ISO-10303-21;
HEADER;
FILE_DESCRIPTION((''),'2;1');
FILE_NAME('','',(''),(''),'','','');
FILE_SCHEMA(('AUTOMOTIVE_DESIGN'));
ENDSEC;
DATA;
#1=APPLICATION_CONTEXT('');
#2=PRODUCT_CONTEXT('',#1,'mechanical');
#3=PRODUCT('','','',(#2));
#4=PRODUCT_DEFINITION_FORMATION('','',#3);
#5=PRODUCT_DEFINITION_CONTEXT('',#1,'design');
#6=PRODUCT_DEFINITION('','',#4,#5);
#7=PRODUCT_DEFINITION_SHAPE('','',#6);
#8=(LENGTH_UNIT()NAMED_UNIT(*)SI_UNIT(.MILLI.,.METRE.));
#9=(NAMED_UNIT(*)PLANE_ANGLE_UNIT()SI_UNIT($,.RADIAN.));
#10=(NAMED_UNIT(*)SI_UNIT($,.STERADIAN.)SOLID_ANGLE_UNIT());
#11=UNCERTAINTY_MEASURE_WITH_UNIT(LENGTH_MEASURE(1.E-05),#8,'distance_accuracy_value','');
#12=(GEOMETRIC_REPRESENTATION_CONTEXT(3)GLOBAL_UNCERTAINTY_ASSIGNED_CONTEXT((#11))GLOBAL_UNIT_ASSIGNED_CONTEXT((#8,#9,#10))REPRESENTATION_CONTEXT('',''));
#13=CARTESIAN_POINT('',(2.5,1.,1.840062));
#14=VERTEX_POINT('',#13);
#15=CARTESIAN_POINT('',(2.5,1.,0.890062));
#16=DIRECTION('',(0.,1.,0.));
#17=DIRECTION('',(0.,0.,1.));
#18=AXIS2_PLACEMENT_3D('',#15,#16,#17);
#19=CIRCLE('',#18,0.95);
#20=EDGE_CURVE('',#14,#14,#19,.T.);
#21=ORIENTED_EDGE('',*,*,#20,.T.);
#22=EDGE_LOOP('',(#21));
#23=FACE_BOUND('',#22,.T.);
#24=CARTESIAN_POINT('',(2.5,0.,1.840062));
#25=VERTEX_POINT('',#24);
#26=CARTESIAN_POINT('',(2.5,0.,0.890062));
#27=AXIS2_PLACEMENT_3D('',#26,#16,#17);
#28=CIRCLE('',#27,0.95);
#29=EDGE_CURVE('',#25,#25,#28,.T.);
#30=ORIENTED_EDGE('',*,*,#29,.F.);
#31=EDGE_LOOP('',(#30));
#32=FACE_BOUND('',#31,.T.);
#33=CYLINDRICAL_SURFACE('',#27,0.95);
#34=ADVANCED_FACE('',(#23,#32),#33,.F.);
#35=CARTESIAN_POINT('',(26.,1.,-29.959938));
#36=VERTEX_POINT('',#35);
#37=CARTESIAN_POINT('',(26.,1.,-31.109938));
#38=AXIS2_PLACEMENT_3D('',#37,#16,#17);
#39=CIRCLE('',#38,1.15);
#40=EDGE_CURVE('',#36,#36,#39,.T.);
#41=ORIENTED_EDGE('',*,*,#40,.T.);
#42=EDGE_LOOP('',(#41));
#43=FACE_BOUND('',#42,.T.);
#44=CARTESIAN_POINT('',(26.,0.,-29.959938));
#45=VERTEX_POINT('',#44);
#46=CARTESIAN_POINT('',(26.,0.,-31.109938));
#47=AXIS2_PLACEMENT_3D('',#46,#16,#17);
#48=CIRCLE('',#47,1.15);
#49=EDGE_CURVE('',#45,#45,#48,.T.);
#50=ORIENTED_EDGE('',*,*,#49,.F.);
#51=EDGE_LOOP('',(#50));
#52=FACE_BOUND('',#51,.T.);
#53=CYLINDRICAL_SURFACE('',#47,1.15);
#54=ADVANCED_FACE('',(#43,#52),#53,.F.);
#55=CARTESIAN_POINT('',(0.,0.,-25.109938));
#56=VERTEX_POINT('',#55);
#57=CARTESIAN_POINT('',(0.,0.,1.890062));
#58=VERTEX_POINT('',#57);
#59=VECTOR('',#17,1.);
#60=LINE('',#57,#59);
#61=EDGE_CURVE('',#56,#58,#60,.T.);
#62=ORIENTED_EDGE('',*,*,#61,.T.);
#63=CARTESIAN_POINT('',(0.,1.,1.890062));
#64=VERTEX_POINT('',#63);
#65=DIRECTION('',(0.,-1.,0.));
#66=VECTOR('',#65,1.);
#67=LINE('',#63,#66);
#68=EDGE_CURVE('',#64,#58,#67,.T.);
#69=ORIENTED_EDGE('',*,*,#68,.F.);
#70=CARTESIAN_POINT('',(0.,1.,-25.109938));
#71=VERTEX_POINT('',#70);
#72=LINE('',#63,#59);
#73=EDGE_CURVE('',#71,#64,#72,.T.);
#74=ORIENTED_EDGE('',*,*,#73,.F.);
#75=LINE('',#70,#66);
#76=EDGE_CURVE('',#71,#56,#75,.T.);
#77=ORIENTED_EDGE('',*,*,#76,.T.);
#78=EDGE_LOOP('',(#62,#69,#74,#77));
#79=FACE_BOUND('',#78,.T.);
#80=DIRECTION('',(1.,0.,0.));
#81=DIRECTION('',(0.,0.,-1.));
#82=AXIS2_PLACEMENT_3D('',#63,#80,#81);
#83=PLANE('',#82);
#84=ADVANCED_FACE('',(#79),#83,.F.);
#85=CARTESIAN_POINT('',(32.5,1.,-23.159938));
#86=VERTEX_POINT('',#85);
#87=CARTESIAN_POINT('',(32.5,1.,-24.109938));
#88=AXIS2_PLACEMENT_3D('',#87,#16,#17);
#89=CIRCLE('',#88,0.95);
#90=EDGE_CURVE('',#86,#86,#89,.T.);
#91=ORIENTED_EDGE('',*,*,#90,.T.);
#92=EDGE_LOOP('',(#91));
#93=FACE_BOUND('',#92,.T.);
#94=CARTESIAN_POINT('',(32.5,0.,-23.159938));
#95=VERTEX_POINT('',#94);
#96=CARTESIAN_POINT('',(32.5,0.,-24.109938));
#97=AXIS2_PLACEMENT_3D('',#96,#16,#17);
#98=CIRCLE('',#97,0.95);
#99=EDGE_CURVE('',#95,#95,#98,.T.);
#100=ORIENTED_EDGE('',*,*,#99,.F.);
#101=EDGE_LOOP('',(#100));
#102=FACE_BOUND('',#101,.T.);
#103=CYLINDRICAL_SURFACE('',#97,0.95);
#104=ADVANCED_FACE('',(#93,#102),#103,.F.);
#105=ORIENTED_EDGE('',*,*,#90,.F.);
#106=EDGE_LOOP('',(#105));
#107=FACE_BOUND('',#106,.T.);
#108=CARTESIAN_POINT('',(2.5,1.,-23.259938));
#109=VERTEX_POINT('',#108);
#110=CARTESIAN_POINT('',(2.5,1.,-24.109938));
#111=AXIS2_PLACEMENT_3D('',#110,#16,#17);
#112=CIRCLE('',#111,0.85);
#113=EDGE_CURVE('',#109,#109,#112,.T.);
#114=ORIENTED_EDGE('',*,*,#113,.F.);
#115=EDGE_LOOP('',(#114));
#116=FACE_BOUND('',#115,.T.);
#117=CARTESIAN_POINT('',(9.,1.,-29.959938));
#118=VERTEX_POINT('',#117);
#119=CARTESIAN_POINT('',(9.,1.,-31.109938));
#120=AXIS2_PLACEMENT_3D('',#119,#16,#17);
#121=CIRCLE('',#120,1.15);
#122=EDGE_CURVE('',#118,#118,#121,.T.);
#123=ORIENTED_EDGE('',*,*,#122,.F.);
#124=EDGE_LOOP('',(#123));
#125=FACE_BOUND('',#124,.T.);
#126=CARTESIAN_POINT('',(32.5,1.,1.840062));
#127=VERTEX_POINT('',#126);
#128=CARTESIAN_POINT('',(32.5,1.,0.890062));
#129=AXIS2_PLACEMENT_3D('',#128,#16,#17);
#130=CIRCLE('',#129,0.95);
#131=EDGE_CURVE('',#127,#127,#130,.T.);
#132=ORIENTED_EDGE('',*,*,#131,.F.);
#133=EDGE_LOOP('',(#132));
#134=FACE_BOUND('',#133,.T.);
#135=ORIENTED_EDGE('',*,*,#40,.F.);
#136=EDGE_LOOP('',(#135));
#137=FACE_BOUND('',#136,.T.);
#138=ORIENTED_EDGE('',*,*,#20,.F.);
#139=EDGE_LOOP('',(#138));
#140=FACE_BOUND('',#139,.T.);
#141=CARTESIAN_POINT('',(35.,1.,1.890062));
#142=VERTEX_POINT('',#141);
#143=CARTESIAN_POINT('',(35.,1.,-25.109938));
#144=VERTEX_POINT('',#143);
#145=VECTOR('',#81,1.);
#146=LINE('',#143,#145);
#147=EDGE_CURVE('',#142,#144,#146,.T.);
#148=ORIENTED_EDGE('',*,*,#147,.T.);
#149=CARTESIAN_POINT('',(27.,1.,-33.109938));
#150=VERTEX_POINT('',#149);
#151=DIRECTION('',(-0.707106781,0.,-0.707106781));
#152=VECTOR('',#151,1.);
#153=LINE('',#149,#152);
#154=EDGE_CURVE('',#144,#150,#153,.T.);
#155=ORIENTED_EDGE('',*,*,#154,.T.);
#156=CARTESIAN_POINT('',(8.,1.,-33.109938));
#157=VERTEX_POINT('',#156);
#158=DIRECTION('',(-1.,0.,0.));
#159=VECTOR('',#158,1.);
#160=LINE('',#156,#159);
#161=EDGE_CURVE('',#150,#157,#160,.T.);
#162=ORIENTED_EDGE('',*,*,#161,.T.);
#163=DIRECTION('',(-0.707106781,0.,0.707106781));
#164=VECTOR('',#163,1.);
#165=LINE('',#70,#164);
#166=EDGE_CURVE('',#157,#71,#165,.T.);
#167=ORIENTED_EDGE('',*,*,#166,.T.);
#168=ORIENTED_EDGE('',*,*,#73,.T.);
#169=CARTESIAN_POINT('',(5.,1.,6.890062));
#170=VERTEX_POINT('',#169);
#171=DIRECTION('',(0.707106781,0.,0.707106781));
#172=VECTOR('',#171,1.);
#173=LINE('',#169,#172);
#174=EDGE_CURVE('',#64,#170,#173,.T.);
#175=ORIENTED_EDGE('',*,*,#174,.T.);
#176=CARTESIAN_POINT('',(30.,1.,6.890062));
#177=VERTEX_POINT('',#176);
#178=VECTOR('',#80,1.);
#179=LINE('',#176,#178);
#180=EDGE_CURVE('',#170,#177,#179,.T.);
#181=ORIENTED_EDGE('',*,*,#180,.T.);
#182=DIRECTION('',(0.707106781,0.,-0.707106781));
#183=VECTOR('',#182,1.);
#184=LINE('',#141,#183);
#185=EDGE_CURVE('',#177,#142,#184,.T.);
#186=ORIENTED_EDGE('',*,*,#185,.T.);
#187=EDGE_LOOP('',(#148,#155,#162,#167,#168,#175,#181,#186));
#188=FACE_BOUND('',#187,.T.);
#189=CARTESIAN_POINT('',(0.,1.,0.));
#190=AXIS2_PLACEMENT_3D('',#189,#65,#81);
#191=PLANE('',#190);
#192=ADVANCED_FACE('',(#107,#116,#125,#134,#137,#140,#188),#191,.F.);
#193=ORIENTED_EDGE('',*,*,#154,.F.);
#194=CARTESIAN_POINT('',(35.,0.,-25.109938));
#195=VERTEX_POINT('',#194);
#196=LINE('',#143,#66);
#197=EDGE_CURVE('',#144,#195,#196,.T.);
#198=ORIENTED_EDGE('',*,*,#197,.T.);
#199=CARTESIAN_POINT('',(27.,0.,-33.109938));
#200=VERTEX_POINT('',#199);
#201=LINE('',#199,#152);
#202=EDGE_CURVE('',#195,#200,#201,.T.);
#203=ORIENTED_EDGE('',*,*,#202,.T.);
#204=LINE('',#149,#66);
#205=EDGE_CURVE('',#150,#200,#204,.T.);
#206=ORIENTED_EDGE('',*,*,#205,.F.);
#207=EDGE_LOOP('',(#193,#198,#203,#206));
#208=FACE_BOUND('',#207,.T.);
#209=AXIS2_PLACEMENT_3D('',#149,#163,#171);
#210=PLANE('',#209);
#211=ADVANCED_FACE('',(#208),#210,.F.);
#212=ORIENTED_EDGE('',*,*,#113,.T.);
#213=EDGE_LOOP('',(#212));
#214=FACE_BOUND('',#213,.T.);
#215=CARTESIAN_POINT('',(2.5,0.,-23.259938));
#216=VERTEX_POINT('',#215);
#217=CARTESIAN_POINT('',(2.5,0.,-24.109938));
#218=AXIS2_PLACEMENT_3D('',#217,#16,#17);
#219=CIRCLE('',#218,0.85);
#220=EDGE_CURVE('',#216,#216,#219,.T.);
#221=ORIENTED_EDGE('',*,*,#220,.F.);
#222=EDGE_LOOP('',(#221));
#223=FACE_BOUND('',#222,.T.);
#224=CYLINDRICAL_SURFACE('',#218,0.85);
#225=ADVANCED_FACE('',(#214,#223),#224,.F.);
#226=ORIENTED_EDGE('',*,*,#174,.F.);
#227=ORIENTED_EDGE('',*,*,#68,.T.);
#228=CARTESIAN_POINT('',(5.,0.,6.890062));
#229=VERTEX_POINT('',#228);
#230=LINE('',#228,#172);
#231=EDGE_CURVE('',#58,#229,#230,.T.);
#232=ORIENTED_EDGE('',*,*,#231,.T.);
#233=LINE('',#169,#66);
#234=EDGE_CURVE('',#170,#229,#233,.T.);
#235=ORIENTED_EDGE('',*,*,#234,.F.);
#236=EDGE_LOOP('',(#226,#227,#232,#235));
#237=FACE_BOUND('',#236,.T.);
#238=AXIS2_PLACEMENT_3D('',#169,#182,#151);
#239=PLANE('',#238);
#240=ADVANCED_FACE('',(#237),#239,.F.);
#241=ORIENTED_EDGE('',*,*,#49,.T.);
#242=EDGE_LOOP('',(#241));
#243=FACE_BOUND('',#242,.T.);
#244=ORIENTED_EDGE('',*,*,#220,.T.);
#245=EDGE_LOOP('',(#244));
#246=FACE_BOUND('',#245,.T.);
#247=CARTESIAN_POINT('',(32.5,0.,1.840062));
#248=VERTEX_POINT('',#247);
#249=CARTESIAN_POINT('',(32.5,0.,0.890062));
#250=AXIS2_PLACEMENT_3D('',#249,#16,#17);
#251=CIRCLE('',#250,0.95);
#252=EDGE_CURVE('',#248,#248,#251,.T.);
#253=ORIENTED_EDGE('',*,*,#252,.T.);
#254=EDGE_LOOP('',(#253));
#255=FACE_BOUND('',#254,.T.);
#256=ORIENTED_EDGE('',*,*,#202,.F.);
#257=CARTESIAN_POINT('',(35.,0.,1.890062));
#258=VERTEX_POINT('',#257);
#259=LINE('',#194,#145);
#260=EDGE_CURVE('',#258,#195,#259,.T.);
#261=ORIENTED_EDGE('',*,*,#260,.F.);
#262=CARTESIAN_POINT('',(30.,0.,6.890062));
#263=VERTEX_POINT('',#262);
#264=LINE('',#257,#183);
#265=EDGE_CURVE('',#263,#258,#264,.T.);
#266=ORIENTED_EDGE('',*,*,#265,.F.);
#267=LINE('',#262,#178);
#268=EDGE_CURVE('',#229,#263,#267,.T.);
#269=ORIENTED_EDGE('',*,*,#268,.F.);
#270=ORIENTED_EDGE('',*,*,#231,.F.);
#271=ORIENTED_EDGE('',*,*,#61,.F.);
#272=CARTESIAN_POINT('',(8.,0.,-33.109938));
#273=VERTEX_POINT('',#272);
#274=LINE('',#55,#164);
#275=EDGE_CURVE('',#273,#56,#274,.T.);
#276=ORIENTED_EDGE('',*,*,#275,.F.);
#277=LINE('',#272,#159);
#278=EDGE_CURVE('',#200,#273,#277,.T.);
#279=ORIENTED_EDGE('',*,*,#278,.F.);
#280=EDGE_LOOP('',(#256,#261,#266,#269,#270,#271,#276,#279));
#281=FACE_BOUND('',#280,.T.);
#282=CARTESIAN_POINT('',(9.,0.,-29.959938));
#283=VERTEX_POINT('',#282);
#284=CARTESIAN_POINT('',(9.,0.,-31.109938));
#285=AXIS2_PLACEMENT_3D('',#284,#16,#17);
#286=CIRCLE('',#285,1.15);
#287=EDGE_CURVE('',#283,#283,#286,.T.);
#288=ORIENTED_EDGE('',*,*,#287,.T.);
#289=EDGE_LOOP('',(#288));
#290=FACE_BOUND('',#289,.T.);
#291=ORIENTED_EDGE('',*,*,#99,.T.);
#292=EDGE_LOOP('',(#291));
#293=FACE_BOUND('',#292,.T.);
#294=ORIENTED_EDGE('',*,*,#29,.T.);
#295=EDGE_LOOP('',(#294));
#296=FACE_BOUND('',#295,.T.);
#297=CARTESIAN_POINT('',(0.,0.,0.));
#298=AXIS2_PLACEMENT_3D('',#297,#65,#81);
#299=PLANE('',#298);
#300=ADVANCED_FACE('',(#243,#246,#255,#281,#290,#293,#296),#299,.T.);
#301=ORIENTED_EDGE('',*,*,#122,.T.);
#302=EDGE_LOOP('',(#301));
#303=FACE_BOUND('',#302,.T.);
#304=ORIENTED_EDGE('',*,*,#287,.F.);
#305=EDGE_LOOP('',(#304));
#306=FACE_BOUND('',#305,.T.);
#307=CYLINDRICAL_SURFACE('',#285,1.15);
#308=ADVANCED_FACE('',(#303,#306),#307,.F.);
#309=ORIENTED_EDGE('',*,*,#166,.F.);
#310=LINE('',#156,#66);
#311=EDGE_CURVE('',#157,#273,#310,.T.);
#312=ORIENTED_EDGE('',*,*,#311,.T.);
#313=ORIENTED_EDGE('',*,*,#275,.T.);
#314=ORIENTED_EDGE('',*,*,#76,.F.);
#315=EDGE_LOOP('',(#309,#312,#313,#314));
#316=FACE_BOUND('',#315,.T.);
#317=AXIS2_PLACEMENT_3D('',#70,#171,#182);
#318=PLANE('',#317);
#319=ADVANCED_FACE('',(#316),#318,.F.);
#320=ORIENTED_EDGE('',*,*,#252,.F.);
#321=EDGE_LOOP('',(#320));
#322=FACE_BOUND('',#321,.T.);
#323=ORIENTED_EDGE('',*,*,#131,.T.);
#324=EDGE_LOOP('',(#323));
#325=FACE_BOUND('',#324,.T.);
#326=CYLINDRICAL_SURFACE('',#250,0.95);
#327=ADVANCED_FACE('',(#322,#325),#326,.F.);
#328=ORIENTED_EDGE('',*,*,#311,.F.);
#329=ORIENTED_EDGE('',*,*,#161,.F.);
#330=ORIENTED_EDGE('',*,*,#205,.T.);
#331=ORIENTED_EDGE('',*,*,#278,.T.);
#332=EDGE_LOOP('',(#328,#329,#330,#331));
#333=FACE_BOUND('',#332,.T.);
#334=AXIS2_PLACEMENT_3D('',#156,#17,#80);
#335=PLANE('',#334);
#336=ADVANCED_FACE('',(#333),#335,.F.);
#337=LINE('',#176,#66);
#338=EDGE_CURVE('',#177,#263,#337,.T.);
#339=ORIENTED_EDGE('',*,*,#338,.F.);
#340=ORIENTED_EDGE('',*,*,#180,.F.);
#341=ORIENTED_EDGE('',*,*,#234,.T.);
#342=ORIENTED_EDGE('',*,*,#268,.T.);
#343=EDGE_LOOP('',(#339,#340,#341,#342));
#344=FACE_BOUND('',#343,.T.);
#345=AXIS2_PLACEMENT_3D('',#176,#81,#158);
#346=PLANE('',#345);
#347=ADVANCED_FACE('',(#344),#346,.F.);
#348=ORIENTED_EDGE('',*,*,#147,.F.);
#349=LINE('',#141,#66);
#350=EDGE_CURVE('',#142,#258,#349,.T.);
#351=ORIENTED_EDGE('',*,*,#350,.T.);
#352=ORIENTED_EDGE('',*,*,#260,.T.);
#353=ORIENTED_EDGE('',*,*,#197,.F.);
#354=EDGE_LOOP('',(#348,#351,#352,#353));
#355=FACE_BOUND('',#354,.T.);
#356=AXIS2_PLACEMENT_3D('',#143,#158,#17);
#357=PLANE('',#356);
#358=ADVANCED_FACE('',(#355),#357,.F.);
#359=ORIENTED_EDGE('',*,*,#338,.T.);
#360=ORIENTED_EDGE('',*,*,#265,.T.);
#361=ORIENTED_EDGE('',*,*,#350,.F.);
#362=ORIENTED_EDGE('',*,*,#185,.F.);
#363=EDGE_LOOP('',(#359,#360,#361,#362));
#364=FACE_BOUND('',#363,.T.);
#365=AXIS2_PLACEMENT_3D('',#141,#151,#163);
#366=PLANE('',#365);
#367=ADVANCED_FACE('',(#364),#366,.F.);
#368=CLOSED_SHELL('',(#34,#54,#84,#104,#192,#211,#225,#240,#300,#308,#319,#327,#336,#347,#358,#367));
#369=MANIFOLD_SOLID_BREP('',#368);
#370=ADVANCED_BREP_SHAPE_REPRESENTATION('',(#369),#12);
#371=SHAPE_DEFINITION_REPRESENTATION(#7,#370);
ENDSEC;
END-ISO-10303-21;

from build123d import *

# Parameters (mm, degrees)
BOSS_EXTRUDE1_DEPTH = 1
SKETCH2_R           = 0.95
SKETCH2_R_2         = 0.85
CUT_EXTRUDE1_DEPTH  = 1
SKETCH3_R           = 1.15
CUT_EXTRUDE2_DEPTH  = 1


with BuildPart() as part:
    # Sketch1 → Boss-Extrude1 (new body)
    with BuildSketch(Plane(origin=(0, 0, 0), x_dir=(1, 0, 0), z_dir=(0, 1, 0))):
        Polygon((30, -6.890061842), (5, -6.890061842), (0, -1.890061842), (0, 25.109938158), (8, 33.109938158), (27, 33.109938158), (35, 25.109938158), (35, -1.890061842), align=None)
    extrude(amount=BOSS_EXTRUDE1_DEPTH)

    # Sketch2 → Cut-Extrude1 (cut)
    with BuildSketch(Plane(origin=(0, 1, 0), x_dir=(1, 0, 0), z_dir=(0, 1, 0))):
        with Locations(Location((32.5, -0.890061842, 0), (0, 0, 270))):
            Circle(SKETCH2_R)
        with Locations(Location((2.5, -0.890061842, 0), (0, 0, 270))):
            Circle(SKETCH2_R)
        with Locations(Location((32.5, 24.109938158, 0), (0, 0, 270))):
            Circle(SKETCH2_R)
        with Locations(Location((2.5, 24.109938158, 0), (0, 0, 270))):
            Circle(SKETCH2_R_2)
    extrude(amount=-CUT_EXTRUDE1_DEPTH, mode=Mode.SUBTRACT)

    # Sketch3 → Cut-Extrude2 (cut)
    with BuildSketch(Plane(origin=(0, 1, 0), x_dir=(1, 0, 0), z_dir=(0, 1, 0))):
        with Locations(Location((26, 31.109938158, 0), (0, 0, 270))):
            Circle(SKETCH3_R)
        with Locations(Location((9, 31.109938158, 0), (0, 0, 270))):
            Circle(SKETCH3_R)
    extrude(amount=-CUT_EXTRUDE2_DEPTH, mode=Mode.SUBTRACT)


solid = part.part
